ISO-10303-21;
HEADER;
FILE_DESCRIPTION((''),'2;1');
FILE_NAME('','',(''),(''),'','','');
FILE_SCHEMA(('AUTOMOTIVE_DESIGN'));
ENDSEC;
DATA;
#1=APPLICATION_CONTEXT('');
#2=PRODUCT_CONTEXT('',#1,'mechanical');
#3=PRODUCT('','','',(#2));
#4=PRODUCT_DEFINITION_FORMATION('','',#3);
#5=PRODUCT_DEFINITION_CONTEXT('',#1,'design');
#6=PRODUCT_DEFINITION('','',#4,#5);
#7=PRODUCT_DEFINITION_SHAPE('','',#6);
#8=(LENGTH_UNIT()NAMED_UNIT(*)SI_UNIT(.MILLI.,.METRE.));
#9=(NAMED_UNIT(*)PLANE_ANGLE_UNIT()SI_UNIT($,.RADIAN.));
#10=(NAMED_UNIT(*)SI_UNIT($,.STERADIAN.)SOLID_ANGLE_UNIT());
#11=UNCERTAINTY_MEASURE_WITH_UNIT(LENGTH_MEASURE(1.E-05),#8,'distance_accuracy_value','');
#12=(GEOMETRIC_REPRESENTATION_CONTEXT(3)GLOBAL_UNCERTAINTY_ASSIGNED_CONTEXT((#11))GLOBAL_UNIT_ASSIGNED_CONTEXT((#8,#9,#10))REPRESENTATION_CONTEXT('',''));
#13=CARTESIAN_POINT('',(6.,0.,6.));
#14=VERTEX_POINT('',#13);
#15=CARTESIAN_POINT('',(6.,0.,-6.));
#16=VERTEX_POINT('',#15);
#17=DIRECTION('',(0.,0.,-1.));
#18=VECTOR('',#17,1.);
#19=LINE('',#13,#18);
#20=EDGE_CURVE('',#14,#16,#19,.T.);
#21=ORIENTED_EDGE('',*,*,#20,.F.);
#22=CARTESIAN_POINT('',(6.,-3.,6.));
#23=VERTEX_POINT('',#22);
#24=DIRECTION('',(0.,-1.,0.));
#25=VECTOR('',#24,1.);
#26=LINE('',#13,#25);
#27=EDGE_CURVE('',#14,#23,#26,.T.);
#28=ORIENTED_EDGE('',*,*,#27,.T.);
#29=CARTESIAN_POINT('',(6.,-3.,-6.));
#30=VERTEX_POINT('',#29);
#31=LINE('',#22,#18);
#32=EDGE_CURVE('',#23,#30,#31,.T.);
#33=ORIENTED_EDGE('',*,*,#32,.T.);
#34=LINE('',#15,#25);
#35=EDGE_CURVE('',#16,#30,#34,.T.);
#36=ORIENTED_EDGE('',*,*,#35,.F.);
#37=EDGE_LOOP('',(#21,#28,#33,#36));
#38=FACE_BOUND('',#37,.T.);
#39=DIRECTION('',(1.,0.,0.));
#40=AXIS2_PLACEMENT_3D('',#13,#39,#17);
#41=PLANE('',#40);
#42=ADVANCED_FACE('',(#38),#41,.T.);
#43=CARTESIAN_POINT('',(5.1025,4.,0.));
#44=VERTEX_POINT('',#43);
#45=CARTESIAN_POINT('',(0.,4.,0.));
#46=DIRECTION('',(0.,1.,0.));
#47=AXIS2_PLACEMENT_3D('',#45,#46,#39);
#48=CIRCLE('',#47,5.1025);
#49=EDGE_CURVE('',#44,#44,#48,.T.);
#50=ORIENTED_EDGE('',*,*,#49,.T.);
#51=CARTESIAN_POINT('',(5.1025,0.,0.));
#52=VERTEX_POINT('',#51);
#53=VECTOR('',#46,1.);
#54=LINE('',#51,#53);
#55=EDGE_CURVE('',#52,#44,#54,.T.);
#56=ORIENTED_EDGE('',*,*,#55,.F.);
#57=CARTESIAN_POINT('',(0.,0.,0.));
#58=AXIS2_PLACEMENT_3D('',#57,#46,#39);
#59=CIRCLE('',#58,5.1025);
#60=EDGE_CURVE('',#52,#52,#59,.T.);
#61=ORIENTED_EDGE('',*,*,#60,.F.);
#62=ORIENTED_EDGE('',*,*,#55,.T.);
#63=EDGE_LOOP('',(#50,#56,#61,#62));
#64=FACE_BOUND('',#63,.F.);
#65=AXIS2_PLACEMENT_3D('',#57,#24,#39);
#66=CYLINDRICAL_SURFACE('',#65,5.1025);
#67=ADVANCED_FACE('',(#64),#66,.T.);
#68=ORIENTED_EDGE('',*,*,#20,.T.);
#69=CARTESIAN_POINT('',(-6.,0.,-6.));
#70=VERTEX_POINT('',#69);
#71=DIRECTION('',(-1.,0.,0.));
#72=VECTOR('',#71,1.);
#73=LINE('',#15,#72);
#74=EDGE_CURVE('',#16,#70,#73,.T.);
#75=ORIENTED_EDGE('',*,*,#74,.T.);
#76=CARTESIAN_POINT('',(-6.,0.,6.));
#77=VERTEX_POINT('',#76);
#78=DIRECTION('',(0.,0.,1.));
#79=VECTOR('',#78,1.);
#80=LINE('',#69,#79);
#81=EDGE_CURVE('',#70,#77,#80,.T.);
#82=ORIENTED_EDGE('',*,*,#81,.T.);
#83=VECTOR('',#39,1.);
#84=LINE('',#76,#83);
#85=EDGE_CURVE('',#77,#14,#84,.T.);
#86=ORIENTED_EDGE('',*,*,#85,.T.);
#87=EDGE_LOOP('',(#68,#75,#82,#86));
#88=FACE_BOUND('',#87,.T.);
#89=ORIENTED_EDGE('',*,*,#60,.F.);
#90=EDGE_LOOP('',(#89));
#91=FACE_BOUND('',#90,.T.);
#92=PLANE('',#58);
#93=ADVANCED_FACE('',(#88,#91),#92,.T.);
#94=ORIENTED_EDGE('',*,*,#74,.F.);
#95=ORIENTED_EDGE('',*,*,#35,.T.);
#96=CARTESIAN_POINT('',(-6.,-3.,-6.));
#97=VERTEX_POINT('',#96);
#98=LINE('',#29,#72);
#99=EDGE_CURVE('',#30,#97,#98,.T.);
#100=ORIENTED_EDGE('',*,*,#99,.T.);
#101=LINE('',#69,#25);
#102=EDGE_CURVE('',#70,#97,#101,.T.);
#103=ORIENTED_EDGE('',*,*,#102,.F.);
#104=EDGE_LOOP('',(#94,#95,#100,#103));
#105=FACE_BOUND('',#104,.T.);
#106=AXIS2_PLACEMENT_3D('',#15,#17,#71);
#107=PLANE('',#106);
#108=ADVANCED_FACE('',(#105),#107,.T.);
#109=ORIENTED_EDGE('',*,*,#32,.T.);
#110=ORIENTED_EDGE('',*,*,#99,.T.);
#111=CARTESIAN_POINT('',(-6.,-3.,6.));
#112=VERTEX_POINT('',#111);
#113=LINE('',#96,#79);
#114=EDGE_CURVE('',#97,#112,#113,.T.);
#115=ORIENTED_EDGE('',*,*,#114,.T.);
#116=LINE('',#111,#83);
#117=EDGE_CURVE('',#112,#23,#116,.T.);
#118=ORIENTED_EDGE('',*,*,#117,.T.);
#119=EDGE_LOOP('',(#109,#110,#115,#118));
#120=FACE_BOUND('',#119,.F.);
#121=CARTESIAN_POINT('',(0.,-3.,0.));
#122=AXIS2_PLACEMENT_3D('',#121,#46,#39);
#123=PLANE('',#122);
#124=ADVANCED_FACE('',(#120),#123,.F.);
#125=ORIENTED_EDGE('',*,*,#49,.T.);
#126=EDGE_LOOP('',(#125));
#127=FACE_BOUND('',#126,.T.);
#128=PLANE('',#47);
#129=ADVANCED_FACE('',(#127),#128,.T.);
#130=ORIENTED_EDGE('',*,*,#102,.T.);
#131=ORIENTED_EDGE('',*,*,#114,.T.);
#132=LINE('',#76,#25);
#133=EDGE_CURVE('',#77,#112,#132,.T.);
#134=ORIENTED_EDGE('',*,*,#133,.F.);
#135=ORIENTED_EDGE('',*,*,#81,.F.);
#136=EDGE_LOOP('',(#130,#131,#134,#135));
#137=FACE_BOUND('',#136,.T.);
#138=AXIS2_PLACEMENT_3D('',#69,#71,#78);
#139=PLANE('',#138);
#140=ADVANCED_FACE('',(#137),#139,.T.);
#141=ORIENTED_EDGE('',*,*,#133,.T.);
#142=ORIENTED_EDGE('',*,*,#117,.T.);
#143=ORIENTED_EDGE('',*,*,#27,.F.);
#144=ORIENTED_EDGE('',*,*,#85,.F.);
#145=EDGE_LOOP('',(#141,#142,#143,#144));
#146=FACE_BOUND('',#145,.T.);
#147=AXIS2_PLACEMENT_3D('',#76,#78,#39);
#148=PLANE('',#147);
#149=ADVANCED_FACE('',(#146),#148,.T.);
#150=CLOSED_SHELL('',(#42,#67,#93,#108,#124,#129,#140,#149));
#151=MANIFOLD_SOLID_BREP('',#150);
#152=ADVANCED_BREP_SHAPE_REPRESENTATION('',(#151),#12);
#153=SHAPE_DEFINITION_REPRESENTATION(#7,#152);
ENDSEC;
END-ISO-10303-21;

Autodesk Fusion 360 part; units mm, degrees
sketch "Boceto1" plane through (0, 0, 0) normal (0, 1, 0) x (1, 0, 0)
  line L0 (6, 6) -> (-6, 6)
  line L1 (-6, 6) -> (-6, -6)
  line L2 (-6, -6) -> (6, -6)
  line L3 (6, -6) -> (6, 6)
  line L4 (6, 6) -> (-6, -6) construction
  line L5 (-6, 6) -> (6, -6) construction
  circle A0 centre (0, 0) radius 5.1025
  dimension "d2" = 12
  dimension "d3" = 12
extrude "Extruir1" add sketch "Boceto1" along normal blind 4 contours A0
extrude "Extruir2" add sketch "Boceto1" against normal blind 3 contours L0 L1 L2 L3 | A0
